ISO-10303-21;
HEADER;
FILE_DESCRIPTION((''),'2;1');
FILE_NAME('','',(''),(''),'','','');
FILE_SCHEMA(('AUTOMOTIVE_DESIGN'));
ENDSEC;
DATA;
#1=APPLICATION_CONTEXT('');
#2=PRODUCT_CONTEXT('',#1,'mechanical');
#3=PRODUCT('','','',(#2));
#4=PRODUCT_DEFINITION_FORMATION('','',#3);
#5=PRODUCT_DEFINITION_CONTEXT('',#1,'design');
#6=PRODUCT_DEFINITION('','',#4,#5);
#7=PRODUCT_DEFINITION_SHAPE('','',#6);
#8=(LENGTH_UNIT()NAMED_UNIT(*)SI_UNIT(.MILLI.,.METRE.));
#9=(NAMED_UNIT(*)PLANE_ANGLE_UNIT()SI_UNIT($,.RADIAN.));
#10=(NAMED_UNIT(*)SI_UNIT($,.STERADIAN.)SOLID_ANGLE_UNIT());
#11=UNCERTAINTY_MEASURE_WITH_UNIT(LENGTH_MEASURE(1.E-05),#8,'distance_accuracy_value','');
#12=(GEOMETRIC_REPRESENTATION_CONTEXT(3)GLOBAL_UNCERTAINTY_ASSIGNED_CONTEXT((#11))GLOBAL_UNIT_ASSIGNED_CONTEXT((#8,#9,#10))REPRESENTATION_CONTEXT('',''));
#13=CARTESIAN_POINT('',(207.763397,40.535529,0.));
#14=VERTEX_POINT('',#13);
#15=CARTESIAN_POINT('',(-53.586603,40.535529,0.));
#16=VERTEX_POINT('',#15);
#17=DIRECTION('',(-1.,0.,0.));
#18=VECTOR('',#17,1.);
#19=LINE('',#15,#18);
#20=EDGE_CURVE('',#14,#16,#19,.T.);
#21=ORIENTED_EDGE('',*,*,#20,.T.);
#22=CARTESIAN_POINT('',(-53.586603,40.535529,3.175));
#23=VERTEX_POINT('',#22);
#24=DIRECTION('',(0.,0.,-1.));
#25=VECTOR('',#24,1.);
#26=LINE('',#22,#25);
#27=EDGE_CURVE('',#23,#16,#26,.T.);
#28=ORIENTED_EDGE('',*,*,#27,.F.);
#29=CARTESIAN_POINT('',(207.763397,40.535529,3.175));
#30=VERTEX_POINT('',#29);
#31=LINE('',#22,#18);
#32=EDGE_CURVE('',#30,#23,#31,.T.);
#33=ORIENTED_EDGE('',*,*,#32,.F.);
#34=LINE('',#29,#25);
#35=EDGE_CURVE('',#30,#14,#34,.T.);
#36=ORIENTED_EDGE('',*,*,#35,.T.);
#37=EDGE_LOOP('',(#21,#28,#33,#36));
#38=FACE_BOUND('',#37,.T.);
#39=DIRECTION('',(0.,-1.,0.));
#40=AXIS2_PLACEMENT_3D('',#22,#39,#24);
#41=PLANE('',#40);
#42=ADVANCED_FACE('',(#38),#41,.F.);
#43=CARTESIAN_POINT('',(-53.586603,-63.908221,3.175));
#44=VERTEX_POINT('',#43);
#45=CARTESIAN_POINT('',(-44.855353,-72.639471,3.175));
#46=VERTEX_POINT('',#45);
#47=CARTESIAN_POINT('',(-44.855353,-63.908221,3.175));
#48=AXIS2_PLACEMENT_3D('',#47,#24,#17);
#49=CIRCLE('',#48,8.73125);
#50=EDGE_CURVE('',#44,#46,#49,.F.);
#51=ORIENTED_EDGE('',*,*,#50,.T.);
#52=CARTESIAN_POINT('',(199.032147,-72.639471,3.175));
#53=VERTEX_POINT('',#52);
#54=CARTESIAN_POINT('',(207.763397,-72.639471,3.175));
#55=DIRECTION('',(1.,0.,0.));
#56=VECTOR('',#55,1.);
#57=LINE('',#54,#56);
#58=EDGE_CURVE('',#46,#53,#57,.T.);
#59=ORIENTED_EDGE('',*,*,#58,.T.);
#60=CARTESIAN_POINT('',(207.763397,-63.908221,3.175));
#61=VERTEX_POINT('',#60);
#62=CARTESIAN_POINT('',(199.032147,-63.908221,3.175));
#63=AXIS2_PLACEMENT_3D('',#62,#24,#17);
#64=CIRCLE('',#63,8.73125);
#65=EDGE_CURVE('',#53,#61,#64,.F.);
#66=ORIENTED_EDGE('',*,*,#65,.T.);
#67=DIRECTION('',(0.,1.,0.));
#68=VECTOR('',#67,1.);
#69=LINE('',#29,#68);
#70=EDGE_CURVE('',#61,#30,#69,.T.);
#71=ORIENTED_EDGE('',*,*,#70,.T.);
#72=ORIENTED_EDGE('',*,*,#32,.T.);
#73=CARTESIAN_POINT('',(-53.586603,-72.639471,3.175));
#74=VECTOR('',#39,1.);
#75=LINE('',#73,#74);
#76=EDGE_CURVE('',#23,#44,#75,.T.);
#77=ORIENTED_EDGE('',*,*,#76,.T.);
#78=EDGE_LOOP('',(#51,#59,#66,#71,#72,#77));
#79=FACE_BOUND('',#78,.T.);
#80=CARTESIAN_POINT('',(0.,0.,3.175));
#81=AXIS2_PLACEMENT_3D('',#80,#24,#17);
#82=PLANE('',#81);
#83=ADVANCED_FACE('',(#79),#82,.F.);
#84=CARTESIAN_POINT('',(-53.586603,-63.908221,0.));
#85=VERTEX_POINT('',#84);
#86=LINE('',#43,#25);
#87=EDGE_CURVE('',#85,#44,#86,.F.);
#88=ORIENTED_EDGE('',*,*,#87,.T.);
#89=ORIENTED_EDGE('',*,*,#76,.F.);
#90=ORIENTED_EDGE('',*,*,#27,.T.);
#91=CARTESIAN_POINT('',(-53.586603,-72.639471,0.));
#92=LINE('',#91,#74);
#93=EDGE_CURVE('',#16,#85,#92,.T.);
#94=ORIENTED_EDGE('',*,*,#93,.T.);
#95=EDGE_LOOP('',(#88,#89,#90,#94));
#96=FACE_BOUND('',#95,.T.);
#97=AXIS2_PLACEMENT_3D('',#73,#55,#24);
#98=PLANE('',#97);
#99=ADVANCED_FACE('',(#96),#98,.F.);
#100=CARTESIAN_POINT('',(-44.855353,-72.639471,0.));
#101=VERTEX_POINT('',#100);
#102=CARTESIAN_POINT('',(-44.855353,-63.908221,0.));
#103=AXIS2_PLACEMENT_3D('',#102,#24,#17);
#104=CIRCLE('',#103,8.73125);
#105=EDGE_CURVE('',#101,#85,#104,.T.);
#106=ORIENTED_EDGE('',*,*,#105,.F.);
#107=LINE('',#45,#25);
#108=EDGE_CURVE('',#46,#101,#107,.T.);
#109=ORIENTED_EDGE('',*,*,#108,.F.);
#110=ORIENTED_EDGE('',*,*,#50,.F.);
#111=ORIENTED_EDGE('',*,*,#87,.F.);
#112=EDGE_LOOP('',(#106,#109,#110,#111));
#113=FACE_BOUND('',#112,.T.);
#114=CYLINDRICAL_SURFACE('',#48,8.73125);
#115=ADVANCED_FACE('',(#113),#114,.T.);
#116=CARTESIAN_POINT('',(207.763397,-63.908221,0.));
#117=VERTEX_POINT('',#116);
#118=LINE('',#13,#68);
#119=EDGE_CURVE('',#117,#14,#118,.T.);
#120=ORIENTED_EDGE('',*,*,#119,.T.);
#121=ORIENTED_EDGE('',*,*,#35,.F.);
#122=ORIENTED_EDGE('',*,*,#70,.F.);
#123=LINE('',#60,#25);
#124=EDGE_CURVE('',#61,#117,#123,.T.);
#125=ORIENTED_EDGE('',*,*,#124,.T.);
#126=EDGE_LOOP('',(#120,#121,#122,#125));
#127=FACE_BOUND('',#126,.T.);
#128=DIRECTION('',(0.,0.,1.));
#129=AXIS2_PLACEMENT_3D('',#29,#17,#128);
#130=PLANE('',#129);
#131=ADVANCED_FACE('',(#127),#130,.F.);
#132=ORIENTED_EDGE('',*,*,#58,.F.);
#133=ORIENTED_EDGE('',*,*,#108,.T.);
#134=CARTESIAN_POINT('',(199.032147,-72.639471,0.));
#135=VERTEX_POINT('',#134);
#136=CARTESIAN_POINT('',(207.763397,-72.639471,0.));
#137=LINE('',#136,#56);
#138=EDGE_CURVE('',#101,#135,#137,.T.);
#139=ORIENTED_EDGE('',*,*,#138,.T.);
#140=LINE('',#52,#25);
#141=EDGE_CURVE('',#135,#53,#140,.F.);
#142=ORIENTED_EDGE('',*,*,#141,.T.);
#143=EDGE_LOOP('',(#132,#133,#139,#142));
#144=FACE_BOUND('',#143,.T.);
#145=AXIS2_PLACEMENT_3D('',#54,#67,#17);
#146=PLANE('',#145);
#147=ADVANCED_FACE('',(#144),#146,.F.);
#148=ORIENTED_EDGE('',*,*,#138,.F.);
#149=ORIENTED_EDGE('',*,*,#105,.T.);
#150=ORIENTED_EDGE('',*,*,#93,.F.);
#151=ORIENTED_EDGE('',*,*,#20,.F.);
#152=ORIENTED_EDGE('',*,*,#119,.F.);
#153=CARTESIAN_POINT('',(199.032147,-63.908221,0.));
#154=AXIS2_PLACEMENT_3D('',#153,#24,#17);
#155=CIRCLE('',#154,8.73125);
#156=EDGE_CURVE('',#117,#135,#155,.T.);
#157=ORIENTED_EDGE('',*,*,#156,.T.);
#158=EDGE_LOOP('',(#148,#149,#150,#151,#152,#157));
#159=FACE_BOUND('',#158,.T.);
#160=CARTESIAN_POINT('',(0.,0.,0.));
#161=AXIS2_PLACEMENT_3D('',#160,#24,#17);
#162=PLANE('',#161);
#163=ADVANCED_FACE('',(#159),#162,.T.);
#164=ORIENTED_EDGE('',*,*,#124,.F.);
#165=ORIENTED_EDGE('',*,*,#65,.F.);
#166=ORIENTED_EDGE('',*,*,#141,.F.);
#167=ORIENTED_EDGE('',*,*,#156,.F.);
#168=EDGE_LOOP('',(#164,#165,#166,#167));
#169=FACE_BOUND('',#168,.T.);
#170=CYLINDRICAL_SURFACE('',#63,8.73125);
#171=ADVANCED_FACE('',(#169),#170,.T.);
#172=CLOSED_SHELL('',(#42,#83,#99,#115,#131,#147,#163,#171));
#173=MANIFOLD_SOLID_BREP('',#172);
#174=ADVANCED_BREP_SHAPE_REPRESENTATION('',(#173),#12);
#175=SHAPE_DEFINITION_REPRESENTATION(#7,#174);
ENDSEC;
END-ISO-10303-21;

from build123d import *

# Parameters (mm, degrees)
SKETCH2_W           = 261.35
SKETCH2_H           = 113.175
BOSS_EXTRUDE1_DEPTH = 3.175
FILLET1_R           = 8.73125


with BuildPart() as part:
    # Sketch2 → Boss-Extrude1 (new body)
    with BuildSketch(Plane.XY):
        with Locations((77.088397155, -16.051971223)):
            Rectangle(SKETCH2_W, SKETCH2_H)
    extrude(amount=BOSS_EXTRUDE1_DEPTH)

    # Fillet1
    fillet1_edges = [part.edges().sort_by_distance(p)[0] for p in [
        (207.763397155, -72.639471223, 1.5875),
        (-53.586602845, -72.639471223, 1.5875),
    ]]
    fillet(fillet1_edges, radius=FILLET1_R)


solid = part.part
